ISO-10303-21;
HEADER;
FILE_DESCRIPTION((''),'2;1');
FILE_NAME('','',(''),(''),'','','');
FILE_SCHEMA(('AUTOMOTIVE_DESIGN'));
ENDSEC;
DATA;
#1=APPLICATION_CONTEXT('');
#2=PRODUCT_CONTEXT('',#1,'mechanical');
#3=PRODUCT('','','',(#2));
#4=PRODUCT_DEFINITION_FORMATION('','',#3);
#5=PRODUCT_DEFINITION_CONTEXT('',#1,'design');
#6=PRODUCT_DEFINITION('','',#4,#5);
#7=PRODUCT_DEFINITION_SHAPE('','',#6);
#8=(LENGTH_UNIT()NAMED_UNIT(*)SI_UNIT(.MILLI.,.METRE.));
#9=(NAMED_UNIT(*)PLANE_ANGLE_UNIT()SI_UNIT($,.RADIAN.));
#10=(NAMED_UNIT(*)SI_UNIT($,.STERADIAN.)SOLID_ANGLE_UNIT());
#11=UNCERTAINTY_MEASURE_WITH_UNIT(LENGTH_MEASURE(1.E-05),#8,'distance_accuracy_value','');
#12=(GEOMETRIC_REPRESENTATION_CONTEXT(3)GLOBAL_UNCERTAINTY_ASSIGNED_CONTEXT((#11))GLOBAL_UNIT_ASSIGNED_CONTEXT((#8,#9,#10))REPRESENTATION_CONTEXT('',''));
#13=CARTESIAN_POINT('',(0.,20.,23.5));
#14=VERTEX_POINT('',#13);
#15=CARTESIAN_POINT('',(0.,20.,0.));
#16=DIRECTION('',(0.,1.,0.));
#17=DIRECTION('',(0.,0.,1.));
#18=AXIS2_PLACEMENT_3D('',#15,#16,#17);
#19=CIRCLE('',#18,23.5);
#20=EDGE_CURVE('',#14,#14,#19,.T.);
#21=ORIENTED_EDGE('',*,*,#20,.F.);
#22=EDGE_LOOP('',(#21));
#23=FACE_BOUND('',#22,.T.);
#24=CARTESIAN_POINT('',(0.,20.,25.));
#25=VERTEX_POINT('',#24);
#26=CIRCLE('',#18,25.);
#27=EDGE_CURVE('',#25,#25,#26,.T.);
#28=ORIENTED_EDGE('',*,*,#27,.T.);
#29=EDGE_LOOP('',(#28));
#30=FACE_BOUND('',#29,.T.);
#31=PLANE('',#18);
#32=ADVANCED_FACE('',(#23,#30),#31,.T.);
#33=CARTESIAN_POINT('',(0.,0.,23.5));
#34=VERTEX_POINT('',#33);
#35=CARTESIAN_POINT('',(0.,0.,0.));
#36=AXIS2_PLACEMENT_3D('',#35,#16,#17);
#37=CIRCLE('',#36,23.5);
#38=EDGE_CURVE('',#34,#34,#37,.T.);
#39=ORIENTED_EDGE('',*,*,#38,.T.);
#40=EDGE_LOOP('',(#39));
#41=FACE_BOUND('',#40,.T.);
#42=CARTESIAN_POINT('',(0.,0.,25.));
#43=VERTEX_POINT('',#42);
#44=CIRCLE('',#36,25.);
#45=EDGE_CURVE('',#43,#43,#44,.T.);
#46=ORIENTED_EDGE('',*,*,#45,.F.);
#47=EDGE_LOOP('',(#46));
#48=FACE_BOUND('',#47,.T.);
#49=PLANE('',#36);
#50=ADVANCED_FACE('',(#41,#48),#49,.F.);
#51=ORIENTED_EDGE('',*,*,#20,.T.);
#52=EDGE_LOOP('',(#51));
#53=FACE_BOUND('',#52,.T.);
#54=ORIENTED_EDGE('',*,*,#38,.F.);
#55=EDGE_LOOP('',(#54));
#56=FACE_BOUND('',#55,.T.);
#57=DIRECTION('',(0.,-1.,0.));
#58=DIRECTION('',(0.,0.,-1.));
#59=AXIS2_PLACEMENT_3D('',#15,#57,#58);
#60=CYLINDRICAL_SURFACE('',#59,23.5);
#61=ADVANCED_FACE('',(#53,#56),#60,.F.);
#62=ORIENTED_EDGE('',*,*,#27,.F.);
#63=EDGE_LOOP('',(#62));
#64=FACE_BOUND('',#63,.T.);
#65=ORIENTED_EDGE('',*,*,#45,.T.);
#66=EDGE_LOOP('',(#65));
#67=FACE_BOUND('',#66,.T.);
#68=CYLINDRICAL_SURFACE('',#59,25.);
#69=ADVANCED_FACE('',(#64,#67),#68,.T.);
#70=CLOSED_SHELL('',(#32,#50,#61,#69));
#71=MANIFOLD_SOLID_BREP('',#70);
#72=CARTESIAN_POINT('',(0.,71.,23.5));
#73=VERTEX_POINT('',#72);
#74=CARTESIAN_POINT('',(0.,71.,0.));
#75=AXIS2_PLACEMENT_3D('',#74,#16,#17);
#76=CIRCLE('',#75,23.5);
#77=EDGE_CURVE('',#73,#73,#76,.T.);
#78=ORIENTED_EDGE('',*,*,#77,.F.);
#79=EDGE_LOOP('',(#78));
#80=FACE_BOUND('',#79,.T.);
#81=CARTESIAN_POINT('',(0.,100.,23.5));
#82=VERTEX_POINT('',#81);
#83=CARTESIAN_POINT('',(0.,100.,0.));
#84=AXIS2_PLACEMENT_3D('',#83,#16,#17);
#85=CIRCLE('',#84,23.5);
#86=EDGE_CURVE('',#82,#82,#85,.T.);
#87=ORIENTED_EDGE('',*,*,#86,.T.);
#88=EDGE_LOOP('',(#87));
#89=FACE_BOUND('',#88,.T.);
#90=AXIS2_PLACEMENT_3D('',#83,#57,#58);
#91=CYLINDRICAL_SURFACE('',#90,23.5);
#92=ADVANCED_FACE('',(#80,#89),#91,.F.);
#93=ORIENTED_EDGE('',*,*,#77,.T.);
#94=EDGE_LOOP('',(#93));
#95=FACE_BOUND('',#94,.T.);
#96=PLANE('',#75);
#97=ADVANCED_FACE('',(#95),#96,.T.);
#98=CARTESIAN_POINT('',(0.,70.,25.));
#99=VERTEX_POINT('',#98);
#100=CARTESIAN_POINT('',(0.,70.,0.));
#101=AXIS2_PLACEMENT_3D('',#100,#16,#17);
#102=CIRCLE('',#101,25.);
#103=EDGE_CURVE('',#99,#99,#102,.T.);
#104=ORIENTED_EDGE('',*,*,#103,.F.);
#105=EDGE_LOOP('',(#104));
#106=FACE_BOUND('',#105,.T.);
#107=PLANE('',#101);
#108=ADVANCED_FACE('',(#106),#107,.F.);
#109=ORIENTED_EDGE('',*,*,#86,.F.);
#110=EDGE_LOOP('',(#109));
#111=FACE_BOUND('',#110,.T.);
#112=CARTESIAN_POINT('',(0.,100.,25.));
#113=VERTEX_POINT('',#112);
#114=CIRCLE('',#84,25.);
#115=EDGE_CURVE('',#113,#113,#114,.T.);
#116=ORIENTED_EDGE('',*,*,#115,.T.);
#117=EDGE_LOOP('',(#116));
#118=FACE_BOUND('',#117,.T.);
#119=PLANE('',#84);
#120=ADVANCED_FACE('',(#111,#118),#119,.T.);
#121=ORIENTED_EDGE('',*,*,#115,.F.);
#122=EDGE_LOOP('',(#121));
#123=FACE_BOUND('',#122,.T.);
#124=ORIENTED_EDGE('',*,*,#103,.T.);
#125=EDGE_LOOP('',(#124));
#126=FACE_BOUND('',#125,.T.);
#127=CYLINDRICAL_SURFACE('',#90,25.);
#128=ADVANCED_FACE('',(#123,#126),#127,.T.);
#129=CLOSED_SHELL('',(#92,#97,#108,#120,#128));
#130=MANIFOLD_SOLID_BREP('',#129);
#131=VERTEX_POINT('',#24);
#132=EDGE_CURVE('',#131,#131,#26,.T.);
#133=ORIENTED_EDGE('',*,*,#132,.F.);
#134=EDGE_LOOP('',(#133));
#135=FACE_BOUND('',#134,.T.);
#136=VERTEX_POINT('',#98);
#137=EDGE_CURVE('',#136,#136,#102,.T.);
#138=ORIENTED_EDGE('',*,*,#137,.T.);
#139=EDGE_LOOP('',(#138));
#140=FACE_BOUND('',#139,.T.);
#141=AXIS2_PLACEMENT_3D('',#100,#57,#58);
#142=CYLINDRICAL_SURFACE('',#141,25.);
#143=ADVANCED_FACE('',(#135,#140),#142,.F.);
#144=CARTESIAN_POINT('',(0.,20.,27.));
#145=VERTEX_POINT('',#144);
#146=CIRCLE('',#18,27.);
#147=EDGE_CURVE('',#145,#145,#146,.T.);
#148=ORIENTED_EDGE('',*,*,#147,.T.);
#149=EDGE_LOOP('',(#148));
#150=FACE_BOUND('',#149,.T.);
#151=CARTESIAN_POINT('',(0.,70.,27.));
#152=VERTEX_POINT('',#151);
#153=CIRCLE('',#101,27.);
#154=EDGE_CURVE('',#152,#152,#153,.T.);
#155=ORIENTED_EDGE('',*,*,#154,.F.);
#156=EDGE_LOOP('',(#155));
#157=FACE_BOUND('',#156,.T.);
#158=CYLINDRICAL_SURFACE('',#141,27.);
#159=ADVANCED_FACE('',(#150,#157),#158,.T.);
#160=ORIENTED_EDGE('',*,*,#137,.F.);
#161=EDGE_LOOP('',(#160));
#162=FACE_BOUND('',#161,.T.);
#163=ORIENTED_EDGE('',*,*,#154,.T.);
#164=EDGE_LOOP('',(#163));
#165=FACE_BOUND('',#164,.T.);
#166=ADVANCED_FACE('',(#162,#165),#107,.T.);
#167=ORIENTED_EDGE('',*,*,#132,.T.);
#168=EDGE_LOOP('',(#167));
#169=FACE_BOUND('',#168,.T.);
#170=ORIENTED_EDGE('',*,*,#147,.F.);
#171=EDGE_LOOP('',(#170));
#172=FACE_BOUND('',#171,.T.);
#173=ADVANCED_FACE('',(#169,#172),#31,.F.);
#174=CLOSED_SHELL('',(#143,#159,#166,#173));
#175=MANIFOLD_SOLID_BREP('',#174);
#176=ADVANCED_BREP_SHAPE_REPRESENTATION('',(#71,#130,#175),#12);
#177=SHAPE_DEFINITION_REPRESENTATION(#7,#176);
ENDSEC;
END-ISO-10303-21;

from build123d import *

# Parameters (mm, degrees)
ESBO_O1_R                = 25
ESBO_O1_R_2              = 23.5
RESSALTO_EXTRUS_O1_DEPTH = 20
ESBO_O2_R                = 27
ESBO_O2_R_2              = 25
RESSALTO_EXTRUS_O2_DEPTH = 50
ESBO_O3_R                = 25
ESBO_O3_R_2              = 23.5
RESSALTO_EXTRUS_O3_DEPTH = 30
ESBO_O18_R               = 24
RESSALTO_EXTRUS_O4_DEPTH = 1


with BuildPart() as part:
    # Esboço1 → Ressalto-extrusão1 (new body)
    with BuildSketch(Plane(origin=(0, 0, 0), x_dir=(1, 0, 0), z_dir=(0, 1, 0))):
        with Locations(Location((0, 0, 0), (0, 0, 270))):
            Circle(ESBO_O1_R)
        with Locations(Location((0, 0, 0), (0, 0, 270))):
            Circle(ESBO_O1_R_2, mode=Mode.SUBTRACT)
    extrude(amount=RESSALTO_EXTRUS_O1_DEPTH)


with BuildPart() as body_2:
    # Esboço2 → Ressalto-extrusão2 (new body)
    with BuildSketch(Plane(origin=(0, 20, 0), x_dir=(1, 0, 0), z_dir=(0, 1, 0))):
        with Locations(Location((0, 0, 0), (0, 0, 270))):
            Circle(ESBO_O2_R)
        with Locations(Location((0, 0, 0), (0, 0, 270))):
            Circle(ESBO_O2_R_2, mode=Mode.SUBTRACT)
    extrude(amount=RESSALTO_EXTRUS_O2_DEPTH)


with BuildPart() as body_3:
    # Esboço3 → Ressalto-extrusão3 (new body)
    with BuildSketch(Plane(origin=(0, 70, 0), x_dir=(1, 0, 0), z_dir=(0, 1, 0))):
        with Locations(Location((0, 0, 0), (0, 0, 270))):
            Circle(ESBO_O3_R)
        with Locations(Location((0, 0, 0), (0, 0, 270))):
            Circle(ESBO_O3_R_2, mode=Mode.SUBTRACT)
    extrude(amount=RESSALTO_EXTRUS_O3_DEPTH)

    # Esboço18 → Ressalto-extrusão4 (add)
    with BuildSketch(Plane(origin=(0, 70, 0), x_dir=(1, 0, 0), z_dir=(0, 1, 0))):
        Circle(ESBO_O18_R)
    extrude(amount=RESSALTO_EXTRUS_O4_DEPTH)


solid = Compound([part.part, body_2.part, body_3.part])
